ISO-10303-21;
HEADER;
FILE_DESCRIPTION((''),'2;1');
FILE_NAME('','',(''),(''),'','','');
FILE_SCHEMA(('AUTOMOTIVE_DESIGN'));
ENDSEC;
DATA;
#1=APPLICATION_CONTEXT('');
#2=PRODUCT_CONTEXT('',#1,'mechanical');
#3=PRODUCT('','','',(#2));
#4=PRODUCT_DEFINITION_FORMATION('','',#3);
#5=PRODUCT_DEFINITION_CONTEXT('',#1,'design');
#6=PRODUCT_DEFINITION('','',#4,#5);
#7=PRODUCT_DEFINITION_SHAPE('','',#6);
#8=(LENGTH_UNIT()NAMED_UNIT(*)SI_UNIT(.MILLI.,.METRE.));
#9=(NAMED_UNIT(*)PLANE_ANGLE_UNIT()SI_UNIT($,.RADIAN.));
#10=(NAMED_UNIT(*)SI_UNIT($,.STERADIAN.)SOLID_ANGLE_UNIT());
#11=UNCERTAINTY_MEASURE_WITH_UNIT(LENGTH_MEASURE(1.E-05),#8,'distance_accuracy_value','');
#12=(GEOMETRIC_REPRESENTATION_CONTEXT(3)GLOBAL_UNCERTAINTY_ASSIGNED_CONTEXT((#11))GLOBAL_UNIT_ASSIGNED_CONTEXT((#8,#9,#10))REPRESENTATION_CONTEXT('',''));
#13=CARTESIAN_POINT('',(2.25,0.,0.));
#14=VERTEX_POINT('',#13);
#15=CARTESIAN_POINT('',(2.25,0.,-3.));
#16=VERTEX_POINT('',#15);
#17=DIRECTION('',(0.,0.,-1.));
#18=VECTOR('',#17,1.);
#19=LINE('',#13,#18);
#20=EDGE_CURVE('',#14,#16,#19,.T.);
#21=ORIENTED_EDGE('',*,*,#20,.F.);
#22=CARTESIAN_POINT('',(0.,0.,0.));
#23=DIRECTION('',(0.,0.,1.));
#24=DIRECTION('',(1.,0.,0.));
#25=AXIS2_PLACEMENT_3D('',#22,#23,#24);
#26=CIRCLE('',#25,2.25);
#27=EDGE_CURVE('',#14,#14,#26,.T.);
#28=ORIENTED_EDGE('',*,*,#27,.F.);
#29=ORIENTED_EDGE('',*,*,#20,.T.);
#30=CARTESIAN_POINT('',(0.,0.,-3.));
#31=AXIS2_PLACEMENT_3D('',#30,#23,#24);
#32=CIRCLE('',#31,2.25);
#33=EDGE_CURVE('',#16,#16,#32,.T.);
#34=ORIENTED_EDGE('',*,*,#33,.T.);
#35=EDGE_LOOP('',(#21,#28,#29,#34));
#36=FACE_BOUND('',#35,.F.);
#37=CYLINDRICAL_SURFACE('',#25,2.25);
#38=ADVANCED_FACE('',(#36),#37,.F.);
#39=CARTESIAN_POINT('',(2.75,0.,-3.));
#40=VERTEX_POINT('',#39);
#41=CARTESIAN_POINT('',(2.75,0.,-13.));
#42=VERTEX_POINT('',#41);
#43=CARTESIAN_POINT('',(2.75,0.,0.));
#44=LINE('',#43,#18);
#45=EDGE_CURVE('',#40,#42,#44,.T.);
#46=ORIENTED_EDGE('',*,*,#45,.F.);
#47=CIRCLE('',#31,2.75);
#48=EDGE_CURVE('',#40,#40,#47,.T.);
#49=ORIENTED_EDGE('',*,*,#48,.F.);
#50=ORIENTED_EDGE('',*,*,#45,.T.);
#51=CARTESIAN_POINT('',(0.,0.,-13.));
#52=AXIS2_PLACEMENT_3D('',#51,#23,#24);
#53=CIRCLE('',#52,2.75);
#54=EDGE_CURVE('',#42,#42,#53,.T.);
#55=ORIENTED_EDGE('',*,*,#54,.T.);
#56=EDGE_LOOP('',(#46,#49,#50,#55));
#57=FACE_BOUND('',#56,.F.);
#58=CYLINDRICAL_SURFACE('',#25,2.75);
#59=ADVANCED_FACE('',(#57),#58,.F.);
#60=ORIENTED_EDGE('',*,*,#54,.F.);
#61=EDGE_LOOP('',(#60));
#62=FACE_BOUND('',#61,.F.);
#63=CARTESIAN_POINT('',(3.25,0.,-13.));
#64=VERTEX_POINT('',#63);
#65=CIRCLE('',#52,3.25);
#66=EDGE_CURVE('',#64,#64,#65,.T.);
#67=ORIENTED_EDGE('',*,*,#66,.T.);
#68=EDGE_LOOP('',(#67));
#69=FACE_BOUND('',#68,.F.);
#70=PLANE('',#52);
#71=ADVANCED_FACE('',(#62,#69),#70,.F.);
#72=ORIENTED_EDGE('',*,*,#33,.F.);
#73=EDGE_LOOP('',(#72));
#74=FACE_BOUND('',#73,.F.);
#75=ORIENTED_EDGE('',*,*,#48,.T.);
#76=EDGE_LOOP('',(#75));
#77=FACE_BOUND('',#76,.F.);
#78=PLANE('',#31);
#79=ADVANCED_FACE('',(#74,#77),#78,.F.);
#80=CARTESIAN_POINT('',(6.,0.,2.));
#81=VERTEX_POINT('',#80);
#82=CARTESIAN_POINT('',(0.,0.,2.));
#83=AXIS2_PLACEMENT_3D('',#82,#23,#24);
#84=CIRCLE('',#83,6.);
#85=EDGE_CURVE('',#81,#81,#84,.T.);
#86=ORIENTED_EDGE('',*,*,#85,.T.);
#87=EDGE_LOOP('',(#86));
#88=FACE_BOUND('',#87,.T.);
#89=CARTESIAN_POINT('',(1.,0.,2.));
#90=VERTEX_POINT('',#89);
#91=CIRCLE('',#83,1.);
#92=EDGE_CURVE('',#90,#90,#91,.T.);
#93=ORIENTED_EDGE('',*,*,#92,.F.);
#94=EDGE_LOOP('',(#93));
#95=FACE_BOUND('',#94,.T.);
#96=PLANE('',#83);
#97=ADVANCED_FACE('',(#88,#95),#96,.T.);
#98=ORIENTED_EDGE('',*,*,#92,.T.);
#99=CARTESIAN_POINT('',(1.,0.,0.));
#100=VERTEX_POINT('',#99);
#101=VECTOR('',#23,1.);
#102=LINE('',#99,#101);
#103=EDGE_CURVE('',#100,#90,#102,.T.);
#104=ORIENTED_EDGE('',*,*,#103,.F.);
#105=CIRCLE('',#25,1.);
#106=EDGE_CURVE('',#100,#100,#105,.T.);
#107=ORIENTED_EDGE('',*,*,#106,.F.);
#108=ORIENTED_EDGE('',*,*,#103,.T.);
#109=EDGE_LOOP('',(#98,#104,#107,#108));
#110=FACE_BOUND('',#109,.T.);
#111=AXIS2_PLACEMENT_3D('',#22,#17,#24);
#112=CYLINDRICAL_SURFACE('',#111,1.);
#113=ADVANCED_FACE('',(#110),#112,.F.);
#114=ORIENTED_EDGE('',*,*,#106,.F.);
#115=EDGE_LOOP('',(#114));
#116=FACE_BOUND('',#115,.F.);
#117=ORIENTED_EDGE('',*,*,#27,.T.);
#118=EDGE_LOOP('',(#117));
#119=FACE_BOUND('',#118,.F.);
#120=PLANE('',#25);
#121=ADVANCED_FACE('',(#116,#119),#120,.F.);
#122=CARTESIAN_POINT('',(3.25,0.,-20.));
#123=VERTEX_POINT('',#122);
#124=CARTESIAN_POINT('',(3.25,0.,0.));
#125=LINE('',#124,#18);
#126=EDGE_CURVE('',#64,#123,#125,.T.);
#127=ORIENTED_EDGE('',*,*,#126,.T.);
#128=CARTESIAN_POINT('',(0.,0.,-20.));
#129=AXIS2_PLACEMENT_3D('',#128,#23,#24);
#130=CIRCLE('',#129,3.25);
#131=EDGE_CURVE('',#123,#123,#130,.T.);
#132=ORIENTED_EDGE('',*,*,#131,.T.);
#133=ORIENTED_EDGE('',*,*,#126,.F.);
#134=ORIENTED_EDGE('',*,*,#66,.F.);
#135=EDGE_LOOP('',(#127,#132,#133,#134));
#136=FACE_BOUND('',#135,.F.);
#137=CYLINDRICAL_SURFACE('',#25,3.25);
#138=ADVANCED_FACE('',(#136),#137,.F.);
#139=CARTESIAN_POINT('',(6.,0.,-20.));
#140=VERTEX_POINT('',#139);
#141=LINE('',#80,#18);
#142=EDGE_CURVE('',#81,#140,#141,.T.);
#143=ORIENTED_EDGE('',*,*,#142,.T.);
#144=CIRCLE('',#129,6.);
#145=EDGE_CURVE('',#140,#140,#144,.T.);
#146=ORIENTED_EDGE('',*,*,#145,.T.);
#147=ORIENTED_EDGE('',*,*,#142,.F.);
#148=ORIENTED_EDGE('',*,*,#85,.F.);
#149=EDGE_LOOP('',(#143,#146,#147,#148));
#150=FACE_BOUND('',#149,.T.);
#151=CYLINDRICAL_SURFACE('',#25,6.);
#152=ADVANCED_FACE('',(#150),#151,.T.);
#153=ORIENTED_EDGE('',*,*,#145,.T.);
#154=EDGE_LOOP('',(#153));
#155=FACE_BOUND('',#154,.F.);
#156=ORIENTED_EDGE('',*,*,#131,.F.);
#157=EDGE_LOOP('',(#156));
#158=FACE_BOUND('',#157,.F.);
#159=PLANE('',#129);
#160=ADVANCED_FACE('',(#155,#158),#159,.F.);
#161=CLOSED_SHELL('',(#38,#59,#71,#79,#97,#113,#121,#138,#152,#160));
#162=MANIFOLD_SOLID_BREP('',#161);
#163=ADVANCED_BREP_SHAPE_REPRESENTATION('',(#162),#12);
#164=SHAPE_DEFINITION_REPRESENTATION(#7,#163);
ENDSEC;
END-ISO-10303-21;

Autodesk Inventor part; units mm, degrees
ref_plane "YZ Plane" through (0, 0, 0) normal (1, 0, 0) x (0, 1, 0)
ref_plane "XZ Plane" through (0, 0, 0) normal (0, 1, 0) x (-1, 0, 0)
ref_plane "XY Plane" through (0, 0, 0) normal (0, 0, 1) x (1, 0, 0)
sketch "Sketch1" plane through (0, 0, 0) normal (0, 0, 1) x (1, 0, 0)
  circle A0 centre (0, 0) radius 2.75
  circle A1 centre (0, 0) radius 6
  circle A2 centre (0, 0) radius 1
  circle A3 centre (0, 0) radius 2.25
  circle A4 centre (0, 0) radius 3.25
  dimension "d0" = 5.5
  dimension "d1" = 12
  dimension "d2" = 2
  dimension "d5" = 4.5
  dimension "d6" = 6.5
extrude "Extrusion1" add sketch "Sketch1" along normal blind 2 contours A0 | A1 | A3 | A4
extrude "Extrusion2" add sketch "Sketch1" against normal blind 3 contours A0 | A1 | A4
extrude "Extrusion3" add sketch "Sketch1" against normal blind 13 contours A1 | A4
extrude "Extrusion4" add sketch "Sketch1" against normal blind 20 contours A1
properties part number "detector holder"
